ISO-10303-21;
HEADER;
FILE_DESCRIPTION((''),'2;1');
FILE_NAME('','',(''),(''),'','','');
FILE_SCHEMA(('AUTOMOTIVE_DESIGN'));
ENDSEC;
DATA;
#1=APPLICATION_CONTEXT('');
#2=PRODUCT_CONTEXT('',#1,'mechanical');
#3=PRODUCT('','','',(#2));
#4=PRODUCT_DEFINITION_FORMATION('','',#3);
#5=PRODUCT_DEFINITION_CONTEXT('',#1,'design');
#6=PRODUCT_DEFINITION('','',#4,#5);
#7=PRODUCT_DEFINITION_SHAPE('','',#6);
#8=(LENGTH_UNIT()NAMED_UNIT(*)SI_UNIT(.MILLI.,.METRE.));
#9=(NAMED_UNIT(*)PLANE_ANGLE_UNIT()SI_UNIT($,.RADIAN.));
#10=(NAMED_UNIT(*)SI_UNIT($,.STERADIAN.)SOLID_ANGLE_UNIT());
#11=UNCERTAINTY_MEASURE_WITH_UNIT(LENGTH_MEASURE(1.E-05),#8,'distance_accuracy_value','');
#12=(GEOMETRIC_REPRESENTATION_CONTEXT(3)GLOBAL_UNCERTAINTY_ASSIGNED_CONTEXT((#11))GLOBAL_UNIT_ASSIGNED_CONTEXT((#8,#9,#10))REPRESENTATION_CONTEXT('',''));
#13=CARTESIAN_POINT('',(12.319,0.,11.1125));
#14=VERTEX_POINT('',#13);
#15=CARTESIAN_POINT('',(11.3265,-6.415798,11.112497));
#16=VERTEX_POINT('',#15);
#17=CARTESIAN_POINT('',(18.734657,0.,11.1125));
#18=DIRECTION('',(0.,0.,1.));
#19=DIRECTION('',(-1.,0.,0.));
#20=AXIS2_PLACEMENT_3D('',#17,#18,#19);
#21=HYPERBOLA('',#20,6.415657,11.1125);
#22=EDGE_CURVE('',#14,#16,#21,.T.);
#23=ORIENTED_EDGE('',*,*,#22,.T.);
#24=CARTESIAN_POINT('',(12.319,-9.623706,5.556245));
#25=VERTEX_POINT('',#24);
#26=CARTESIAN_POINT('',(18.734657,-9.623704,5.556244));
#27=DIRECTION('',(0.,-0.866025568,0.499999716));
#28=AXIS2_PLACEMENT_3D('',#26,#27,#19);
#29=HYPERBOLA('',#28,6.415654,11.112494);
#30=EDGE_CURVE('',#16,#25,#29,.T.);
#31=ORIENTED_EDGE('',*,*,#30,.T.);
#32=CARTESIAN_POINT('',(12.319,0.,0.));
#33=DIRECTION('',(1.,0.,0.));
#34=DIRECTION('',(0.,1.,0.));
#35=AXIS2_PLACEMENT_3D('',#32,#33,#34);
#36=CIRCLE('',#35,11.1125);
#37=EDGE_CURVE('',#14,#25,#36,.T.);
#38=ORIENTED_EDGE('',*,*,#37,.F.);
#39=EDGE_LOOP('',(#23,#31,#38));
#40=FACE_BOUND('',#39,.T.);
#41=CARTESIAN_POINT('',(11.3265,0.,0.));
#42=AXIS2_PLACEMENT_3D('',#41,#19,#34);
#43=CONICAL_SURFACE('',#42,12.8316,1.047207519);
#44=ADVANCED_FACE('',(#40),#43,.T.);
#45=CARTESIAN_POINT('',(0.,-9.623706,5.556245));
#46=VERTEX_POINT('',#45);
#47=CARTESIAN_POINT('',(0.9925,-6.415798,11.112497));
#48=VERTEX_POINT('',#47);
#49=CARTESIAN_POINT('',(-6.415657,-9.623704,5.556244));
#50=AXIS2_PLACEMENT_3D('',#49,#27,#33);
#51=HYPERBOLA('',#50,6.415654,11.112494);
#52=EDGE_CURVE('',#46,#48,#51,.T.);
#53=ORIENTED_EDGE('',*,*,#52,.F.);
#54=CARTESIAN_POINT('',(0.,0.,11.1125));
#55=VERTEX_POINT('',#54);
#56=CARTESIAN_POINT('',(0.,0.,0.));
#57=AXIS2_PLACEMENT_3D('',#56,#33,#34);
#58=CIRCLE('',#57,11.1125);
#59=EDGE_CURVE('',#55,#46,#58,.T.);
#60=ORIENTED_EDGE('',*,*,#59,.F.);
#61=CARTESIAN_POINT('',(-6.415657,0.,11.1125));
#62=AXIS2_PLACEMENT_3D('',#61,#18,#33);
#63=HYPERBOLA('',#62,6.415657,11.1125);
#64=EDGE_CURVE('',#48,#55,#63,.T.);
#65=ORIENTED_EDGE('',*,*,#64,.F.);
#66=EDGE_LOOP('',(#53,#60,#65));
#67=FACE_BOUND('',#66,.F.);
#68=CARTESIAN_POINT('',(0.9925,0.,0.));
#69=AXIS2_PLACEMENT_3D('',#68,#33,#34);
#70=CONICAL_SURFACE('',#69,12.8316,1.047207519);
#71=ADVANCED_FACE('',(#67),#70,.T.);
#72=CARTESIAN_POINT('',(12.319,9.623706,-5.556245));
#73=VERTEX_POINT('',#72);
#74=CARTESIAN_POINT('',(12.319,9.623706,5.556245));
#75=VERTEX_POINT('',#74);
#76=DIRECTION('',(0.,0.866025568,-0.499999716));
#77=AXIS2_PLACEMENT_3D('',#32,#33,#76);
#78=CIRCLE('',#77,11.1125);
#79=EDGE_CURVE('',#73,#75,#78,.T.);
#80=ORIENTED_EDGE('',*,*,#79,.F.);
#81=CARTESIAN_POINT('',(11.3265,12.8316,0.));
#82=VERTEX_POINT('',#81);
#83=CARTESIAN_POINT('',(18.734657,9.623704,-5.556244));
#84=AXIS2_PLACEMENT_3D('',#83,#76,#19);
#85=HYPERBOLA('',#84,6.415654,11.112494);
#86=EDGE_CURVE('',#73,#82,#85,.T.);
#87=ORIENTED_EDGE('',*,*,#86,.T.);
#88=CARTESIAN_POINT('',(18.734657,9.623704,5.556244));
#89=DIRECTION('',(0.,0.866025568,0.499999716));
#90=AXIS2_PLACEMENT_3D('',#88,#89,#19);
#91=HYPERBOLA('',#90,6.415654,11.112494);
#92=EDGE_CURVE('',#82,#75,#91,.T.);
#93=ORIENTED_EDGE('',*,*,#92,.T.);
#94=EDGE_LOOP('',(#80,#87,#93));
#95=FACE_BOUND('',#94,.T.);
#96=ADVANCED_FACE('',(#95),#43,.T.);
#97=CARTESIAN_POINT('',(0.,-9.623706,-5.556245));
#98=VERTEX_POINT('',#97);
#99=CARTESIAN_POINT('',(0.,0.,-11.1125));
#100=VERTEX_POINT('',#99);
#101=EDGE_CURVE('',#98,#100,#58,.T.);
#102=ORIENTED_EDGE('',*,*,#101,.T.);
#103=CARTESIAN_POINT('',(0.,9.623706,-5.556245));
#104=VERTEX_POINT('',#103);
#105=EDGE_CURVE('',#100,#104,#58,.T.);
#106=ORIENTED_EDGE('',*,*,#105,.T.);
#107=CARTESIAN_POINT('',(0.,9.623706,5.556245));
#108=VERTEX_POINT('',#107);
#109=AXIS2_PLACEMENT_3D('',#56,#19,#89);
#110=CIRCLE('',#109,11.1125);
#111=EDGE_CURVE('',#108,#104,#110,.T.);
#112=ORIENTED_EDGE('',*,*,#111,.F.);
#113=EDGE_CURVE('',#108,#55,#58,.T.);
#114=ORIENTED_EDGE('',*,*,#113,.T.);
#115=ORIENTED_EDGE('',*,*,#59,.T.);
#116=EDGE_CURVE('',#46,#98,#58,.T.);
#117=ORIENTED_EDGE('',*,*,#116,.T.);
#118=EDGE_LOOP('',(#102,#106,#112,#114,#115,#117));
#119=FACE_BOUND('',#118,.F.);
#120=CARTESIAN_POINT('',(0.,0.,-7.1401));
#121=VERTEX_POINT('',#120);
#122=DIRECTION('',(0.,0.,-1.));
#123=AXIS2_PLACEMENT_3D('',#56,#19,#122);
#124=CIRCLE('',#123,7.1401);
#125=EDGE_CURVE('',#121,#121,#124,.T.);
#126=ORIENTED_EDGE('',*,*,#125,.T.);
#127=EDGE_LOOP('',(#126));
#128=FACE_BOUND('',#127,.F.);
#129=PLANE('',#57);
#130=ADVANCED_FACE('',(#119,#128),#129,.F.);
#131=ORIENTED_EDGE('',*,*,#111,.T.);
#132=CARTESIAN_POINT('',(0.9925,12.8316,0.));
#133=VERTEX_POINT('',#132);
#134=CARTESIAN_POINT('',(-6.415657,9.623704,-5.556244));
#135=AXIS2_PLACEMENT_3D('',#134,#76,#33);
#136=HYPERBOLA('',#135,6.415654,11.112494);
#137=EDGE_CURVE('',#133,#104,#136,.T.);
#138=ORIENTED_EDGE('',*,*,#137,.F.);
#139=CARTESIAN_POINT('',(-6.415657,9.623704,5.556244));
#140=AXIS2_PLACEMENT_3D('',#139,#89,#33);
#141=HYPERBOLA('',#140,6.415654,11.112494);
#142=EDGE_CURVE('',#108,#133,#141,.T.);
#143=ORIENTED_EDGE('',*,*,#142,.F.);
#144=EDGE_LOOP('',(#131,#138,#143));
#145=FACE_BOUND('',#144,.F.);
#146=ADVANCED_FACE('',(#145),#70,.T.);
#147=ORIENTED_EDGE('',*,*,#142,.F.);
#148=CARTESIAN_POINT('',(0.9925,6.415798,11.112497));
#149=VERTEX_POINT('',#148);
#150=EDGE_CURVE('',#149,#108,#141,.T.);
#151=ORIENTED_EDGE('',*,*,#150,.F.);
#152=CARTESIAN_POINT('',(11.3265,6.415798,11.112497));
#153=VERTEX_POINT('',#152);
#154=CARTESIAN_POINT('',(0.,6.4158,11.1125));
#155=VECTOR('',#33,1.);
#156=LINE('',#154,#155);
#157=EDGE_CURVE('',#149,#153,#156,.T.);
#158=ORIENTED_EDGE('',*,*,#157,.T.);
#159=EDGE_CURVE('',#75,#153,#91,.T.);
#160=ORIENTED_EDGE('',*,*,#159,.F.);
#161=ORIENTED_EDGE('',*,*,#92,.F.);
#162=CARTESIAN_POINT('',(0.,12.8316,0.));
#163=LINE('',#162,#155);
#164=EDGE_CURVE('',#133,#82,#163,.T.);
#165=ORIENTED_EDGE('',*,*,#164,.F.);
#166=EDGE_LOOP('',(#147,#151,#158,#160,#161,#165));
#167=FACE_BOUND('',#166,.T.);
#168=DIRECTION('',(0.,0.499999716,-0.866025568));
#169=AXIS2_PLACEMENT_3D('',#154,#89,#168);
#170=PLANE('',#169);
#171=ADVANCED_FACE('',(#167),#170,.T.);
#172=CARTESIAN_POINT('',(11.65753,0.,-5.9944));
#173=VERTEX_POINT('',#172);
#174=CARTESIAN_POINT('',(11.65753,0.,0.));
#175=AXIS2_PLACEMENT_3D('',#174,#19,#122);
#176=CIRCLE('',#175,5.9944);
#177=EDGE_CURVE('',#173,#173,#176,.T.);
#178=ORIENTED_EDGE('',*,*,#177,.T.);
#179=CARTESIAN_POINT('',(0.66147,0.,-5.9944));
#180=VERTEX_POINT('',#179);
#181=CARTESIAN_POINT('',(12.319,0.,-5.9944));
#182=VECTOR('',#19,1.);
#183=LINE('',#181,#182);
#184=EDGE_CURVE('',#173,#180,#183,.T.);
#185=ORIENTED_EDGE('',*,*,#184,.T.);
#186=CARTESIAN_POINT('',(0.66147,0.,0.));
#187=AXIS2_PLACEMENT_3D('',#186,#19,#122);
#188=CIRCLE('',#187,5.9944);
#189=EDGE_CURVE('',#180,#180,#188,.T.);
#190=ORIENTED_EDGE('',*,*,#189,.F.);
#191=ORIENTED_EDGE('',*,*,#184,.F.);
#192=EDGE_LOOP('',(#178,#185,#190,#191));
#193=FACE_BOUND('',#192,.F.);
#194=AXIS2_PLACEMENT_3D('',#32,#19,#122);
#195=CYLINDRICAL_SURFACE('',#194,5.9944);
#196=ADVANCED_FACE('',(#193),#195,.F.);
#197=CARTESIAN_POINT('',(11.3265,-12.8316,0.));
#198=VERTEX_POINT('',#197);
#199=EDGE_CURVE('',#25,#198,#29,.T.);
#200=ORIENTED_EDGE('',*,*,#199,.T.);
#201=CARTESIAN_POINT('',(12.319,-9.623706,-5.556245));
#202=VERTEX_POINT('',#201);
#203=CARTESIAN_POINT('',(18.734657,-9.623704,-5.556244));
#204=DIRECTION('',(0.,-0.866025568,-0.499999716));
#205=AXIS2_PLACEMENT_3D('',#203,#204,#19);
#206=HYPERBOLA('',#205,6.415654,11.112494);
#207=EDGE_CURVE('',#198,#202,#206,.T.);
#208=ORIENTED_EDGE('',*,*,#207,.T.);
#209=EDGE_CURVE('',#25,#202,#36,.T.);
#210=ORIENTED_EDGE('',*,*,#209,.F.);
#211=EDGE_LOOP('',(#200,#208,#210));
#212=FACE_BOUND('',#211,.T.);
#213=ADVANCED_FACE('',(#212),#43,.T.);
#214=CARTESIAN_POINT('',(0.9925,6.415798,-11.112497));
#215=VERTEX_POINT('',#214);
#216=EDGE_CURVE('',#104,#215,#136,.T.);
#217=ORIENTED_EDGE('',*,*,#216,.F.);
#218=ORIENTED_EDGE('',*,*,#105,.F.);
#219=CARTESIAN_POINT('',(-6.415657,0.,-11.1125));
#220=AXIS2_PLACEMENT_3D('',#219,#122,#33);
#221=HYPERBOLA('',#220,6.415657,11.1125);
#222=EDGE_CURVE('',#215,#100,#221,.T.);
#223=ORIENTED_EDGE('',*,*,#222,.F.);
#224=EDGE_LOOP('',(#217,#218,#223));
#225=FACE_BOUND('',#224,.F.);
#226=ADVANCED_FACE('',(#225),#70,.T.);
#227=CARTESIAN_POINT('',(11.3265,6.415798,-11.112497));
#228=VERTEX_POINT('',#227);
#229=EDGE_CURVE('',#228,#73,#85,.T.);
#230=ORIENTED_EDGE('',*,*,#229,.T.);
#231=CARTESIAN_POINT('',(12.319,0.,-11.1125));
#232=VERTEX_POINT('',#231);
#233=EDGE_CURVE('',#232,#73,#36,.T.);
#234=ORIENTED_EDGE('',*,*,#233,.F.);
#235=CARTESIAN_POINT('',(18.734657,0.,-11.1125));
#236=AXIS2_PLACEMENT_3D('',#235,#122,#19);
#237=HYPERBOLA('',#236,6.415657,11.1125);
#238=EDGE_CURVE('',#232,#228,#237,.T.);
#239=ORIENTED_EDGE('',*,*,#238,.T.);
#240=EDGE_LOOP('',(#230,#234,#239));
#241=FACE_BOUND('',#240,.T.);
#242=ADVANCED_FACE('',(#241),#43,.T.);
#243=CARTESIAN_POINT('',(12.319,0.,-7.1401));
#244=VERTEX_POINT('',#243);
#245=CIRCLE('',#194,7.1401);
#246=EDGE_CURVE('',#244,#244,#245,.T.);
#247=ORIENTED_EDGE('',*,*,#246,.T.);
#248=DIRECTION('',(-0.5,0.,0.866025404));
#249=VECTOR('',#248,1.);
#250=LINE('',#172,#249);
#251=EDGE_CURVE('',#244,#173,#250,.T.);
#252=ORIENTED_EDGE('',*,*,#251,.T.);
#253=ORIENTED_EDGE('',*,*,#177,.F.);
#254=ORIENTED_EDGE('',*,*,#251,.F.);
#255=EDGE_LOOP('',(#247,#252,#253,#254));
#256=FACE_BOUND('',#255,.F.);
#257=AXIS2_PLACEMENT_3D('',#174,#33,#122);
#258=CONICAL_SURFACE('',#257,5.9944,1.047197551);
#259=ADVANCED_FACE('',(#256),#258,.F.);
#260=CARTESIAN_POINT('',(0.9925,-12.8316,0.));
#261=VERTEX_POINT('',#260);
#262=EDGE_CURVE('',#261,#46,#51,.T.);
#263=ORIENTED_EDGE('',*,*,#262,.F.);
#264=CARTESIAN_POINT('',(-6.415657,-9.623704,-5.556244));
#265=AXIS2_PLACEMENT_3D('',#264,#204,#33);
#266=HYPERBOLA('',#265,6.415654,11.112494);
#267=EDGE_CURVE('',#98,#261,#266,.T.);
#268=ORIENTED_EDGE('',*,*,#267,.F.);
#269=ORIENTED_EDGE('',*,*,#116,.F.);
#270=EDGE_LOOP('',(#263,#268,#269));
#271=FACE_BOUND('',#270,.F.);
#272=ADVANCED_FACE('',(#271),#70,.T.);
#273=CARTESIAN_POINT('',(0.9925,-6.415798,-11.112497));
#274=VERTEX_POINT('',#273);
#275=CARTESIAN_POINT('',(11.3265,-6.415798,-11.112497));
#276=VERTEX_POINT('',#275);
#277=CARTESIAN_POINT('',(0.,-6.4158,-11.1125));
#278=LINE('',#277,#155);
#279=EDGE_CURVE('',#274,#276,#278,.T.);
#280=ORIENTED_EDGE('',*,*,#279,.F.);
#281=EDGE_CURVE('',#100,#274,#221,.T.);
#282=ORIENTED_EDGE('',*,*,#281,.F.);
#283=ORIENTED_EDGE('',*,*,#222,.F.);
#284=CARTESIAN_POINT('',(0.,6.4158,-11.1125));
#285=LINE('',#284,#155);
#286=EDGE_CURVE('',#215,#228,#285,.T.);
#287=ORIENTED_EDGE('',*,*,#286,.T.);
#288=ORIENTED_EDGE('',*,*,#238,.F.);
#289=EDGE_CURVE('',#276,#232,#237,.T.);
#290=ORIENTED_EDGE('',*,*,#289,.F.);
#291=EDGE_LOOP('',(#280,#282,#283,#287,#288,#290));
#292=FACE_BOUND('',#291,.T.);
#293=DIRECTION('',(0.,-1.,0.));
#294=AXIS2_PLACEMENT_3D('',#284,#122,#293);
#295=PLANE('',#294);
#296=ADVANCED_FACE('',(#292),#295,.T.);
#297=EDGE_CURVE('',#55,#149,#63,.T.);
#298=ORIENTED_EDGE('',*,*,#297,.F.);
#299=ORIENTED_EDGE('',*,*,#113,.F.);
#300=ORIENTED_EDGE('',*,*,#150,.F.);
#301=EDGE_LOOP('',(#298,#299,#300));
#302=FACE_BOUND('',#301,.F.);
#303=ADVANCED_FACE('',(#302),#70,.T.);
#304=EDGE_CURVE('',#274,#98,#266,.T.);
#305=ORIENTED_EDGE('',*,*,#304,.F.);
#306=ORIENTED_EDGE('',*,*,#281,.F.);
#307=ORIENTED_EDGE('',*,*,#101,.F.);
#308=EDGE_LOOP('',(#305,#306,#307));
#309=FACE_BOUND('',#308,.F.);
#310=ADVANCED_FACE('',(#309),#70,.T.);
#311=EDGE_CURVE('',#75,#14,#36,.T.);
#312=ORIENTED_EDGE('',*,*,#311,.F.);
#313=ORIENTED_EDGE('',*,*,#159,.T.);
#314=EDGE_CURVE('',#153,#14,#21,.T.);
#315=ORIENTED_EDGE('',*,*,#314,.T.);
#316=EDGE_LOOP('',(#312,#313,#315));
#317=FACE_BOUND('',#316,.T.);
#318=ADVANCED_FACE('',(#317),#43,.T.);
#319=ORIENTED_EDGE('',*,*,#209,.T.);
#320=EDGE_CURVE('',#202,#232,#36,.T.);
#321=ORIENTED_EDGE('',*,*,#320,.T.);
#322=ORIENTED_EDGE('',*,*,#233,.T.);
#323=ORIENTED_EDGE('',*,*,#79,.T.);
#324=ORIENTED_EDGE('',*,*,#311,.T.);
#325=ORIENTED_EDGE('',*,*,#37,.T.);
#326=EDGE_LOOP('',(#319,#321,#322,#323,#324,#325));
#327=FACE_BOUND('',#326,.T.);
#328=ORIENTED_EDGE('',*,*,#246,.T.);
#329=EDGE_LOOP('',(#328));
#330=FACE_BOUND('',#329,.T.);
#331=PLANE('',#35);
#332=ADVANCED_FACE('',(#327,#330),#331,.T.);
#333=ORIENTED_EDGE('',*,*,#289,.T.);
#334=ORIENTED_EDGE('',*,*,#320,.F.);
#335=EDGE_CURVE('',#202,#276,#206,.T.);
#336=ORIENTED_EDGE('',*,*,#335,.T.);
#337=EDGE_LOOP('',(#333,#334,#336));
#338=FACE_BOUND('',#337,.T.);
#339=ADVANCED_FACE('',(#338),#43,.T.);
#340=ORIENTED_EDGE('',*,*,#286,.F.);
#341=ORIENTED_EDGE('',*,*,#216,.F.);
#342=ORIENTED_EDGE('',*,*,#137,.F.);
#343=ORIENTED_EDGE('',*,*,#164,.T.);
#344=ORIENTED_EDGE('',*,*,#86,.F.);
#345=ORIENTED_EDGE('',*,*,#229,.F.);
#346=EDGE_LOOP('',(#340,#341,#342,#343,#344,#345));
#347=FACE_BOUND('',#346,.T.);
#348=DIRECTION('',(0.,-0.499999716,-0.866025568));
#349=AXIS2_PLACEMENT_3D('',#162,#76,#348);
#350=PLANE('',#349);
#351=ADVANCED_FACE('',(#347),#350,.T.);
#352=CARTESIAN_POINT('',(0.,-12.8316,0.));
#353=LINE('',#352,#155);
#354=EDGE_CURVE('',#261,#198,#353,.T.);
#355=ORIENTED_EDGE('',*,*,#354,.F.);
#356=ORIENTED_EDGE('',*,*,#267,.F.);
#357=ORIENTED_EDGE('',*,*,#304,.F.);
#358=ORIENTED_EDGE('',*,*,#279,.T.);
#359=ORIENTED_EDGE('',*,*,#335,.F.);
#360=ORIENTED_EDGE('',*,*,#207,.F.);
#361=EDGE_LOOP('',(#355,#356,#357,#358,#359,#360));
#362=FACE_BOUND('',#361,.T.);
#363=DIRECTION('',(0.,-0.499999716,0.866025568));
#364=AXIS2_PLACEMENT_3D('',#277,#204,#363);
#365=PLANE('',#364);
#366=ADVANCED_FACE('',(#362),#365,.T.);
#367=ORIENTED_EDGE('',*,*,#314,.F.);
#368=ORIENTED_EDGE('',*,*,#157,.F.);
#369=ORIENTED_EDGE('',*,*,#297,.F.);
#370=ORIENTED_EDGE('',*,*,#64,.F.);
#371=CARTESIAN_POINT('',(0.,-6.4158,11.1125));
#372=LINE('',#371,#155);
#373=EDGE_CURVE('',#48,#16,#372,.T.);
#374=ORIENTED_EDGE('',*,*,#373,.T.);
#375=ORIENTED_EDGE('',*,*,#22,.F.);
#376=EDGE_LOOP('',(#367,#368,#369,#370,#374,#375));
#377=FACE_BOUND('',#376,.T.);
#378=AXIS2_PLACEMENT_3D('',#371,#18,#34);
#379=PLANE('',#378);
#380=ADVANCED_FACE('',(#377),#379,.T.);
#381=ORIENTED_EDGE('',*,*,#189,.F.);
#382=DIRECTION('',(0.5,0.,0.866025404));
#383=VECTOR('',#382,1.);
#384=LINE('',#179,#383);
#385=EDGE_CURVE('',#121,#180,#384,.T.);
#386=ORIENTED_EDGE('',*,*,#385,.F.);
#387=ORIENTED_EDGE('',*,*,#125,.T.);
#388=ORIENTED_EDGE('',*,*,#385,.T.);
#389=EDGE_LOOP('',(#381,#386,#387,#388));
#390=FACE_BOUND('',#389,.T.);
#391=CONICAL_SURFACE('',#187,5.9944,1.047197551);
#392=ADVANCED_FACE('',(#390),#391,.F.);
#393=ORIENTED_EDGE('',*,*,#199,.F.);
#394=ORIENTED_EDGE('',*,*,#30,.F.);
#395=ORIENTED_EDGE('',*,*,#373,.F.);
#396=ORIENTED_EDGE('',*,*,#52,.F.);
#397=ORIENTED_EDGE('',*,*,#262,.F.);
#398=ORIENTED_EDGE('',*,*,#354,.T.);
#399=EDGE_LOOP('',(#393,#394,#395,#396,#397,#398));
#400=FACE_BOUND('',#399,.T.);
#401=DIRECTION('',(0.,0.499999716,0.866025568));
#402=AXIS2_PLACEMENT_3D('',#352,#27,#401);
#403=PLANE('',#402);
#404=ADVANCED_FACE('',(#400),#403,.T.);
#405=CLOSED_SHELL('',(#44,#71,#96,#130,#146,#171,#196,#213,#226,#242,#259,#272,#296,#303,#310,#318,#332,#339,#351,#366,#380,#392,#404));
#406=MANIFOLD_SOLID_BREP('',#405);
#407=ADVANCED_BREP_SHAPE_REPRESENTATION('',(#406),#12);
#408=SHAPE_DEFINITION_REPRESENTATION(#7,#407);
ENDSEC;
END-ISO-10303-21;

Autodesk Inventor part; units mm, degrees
ref_plane "YZ Plane" through (0, 0, 0) normal (1, 0, 0) x (0, 1, 0)
ref_plane "XZ Plane" through (0, 0, 0) normal (0, 1, 0) x (-1, 0, 0)
sketch "Sketch1" plane through (0, 0, 0) normal (1, 0, 0) x (0, 1, 0)
  line L0 (-12.8316, 0) -> (-6.4158, 11.1125)
  line L1 (-6.4158, 11.1125) -> (6.4158, 11.1125)
  line L2 (6.4158, 11.1125) -> (12.8316, 0)
  line L3 (12.8316, 0) -> (6.4158, -11.1125)
  line L4 (6.4158, -11.1125) -> (-6.4158, -11.1125)
  line L5 (-6.4158, -11.1125) -> (-12.8316, 0)
  point P0 (0, 0)
  point P1 (0, 0)
  dimension "d0" = 25.6632
extrude "Body" add sketch "Sketch1" along normal blind 12.319
sketch "Sketch2" plane through (0, 0, 0) normal (0, 0, 1) x (1, 0, 0)
  line L0 (0, 6.4158) -> (0, 12.8316) projected
  line L1 (0, 12.8316) -> (12.319, 12.8316) projected
  line L2 (12.319, 6.4158) -> (12.319, 12.8316) projected
  line L3 (-2.4638, 0) -> (14.7828, 0) projected
  line L4 (0.9925, 12.8316) -> (0, 11.1125)
  line L5 (11.3265, 12.8316) -> (12.319, 11.1125)
  dimension "d3" = 30
  dimension "d4" = 30
  dimension "d5" = 22.225
  dimension "d6" = 22.225
revolve "Chamfer1" cut sketch "Sketch2" angle 360 about axis through (-10, 0, 0) along (1, 0, 0)
sketch "Sketch3" plane through (12.319, 0, 0) normal (1, 0, 0) x (0, 0, -1)
  arc A0 (-5.5562, -9.6237) -> (5.5563, -9.6237) centre (0, 0) ccw projected
hole "Thread" at (12.319, 0, 0) direction (-1, 0, 0) diameter 11.9888 end through all thread size "9/16-12 UNC" class "2B" standard "ANSI Unified Screw Threads"
chamfer "Chamfer2" distance 1.1457 angle 30 1 edges at (12.319, 0, 5.9944) measured on face at (12.319, -9.3513, -0.2408)
chamfer "Chamfer3" distance 1.1457 angle 30 1 edges at (0, 0, 5.9944) measured on face at (0, -9.3513, -0.2408)
ref_plane "Work Plane1" through (-23.7962, 0, 0) normal (0, -0.866, -0.5) x (1, 0, 0)
equation "\"d0\" = 1.1547 * SW"
equation "\"d1\" = KOH"
equation "\"d3\" = ANG1"
equation "\"d4\" = ANG2"
equation "\"d5\" = SW0"
equation "\"d6\" = SW01"
equation "\"d8\" = -0.5 * GD1 + 0.5 * NND"
equation "\"d40\" = -0.5 * GD1 + 0.5 * NND"
equation "\"d10\" = -0.5 * GD1 + 0.5 * NND"
equation "\"d41\" = -0.5 * GD1 + 0.5 * NND"
equation "\"ANG1\" = 30deg"
equation "\"ANG2\" = 30deg"
equation "\"NND\" = 14.2875"
equation "\"KOH\" = 12.319"
equation "\"SW\" = 22.225"
equation "\"SW0\" = SW"
equation "\"SW01\" = SW"
equation "\"THREADDIA\" = 14.2875"
equation "\"TOA\" = 30deg"
equation "\"E0\" = 1.155 * SW"
equation "\"GD1\" = 11.996141"
properties part number "ANSI B18.2.2 - 9/16 - 12, HNI" material "Steel, Mild"
